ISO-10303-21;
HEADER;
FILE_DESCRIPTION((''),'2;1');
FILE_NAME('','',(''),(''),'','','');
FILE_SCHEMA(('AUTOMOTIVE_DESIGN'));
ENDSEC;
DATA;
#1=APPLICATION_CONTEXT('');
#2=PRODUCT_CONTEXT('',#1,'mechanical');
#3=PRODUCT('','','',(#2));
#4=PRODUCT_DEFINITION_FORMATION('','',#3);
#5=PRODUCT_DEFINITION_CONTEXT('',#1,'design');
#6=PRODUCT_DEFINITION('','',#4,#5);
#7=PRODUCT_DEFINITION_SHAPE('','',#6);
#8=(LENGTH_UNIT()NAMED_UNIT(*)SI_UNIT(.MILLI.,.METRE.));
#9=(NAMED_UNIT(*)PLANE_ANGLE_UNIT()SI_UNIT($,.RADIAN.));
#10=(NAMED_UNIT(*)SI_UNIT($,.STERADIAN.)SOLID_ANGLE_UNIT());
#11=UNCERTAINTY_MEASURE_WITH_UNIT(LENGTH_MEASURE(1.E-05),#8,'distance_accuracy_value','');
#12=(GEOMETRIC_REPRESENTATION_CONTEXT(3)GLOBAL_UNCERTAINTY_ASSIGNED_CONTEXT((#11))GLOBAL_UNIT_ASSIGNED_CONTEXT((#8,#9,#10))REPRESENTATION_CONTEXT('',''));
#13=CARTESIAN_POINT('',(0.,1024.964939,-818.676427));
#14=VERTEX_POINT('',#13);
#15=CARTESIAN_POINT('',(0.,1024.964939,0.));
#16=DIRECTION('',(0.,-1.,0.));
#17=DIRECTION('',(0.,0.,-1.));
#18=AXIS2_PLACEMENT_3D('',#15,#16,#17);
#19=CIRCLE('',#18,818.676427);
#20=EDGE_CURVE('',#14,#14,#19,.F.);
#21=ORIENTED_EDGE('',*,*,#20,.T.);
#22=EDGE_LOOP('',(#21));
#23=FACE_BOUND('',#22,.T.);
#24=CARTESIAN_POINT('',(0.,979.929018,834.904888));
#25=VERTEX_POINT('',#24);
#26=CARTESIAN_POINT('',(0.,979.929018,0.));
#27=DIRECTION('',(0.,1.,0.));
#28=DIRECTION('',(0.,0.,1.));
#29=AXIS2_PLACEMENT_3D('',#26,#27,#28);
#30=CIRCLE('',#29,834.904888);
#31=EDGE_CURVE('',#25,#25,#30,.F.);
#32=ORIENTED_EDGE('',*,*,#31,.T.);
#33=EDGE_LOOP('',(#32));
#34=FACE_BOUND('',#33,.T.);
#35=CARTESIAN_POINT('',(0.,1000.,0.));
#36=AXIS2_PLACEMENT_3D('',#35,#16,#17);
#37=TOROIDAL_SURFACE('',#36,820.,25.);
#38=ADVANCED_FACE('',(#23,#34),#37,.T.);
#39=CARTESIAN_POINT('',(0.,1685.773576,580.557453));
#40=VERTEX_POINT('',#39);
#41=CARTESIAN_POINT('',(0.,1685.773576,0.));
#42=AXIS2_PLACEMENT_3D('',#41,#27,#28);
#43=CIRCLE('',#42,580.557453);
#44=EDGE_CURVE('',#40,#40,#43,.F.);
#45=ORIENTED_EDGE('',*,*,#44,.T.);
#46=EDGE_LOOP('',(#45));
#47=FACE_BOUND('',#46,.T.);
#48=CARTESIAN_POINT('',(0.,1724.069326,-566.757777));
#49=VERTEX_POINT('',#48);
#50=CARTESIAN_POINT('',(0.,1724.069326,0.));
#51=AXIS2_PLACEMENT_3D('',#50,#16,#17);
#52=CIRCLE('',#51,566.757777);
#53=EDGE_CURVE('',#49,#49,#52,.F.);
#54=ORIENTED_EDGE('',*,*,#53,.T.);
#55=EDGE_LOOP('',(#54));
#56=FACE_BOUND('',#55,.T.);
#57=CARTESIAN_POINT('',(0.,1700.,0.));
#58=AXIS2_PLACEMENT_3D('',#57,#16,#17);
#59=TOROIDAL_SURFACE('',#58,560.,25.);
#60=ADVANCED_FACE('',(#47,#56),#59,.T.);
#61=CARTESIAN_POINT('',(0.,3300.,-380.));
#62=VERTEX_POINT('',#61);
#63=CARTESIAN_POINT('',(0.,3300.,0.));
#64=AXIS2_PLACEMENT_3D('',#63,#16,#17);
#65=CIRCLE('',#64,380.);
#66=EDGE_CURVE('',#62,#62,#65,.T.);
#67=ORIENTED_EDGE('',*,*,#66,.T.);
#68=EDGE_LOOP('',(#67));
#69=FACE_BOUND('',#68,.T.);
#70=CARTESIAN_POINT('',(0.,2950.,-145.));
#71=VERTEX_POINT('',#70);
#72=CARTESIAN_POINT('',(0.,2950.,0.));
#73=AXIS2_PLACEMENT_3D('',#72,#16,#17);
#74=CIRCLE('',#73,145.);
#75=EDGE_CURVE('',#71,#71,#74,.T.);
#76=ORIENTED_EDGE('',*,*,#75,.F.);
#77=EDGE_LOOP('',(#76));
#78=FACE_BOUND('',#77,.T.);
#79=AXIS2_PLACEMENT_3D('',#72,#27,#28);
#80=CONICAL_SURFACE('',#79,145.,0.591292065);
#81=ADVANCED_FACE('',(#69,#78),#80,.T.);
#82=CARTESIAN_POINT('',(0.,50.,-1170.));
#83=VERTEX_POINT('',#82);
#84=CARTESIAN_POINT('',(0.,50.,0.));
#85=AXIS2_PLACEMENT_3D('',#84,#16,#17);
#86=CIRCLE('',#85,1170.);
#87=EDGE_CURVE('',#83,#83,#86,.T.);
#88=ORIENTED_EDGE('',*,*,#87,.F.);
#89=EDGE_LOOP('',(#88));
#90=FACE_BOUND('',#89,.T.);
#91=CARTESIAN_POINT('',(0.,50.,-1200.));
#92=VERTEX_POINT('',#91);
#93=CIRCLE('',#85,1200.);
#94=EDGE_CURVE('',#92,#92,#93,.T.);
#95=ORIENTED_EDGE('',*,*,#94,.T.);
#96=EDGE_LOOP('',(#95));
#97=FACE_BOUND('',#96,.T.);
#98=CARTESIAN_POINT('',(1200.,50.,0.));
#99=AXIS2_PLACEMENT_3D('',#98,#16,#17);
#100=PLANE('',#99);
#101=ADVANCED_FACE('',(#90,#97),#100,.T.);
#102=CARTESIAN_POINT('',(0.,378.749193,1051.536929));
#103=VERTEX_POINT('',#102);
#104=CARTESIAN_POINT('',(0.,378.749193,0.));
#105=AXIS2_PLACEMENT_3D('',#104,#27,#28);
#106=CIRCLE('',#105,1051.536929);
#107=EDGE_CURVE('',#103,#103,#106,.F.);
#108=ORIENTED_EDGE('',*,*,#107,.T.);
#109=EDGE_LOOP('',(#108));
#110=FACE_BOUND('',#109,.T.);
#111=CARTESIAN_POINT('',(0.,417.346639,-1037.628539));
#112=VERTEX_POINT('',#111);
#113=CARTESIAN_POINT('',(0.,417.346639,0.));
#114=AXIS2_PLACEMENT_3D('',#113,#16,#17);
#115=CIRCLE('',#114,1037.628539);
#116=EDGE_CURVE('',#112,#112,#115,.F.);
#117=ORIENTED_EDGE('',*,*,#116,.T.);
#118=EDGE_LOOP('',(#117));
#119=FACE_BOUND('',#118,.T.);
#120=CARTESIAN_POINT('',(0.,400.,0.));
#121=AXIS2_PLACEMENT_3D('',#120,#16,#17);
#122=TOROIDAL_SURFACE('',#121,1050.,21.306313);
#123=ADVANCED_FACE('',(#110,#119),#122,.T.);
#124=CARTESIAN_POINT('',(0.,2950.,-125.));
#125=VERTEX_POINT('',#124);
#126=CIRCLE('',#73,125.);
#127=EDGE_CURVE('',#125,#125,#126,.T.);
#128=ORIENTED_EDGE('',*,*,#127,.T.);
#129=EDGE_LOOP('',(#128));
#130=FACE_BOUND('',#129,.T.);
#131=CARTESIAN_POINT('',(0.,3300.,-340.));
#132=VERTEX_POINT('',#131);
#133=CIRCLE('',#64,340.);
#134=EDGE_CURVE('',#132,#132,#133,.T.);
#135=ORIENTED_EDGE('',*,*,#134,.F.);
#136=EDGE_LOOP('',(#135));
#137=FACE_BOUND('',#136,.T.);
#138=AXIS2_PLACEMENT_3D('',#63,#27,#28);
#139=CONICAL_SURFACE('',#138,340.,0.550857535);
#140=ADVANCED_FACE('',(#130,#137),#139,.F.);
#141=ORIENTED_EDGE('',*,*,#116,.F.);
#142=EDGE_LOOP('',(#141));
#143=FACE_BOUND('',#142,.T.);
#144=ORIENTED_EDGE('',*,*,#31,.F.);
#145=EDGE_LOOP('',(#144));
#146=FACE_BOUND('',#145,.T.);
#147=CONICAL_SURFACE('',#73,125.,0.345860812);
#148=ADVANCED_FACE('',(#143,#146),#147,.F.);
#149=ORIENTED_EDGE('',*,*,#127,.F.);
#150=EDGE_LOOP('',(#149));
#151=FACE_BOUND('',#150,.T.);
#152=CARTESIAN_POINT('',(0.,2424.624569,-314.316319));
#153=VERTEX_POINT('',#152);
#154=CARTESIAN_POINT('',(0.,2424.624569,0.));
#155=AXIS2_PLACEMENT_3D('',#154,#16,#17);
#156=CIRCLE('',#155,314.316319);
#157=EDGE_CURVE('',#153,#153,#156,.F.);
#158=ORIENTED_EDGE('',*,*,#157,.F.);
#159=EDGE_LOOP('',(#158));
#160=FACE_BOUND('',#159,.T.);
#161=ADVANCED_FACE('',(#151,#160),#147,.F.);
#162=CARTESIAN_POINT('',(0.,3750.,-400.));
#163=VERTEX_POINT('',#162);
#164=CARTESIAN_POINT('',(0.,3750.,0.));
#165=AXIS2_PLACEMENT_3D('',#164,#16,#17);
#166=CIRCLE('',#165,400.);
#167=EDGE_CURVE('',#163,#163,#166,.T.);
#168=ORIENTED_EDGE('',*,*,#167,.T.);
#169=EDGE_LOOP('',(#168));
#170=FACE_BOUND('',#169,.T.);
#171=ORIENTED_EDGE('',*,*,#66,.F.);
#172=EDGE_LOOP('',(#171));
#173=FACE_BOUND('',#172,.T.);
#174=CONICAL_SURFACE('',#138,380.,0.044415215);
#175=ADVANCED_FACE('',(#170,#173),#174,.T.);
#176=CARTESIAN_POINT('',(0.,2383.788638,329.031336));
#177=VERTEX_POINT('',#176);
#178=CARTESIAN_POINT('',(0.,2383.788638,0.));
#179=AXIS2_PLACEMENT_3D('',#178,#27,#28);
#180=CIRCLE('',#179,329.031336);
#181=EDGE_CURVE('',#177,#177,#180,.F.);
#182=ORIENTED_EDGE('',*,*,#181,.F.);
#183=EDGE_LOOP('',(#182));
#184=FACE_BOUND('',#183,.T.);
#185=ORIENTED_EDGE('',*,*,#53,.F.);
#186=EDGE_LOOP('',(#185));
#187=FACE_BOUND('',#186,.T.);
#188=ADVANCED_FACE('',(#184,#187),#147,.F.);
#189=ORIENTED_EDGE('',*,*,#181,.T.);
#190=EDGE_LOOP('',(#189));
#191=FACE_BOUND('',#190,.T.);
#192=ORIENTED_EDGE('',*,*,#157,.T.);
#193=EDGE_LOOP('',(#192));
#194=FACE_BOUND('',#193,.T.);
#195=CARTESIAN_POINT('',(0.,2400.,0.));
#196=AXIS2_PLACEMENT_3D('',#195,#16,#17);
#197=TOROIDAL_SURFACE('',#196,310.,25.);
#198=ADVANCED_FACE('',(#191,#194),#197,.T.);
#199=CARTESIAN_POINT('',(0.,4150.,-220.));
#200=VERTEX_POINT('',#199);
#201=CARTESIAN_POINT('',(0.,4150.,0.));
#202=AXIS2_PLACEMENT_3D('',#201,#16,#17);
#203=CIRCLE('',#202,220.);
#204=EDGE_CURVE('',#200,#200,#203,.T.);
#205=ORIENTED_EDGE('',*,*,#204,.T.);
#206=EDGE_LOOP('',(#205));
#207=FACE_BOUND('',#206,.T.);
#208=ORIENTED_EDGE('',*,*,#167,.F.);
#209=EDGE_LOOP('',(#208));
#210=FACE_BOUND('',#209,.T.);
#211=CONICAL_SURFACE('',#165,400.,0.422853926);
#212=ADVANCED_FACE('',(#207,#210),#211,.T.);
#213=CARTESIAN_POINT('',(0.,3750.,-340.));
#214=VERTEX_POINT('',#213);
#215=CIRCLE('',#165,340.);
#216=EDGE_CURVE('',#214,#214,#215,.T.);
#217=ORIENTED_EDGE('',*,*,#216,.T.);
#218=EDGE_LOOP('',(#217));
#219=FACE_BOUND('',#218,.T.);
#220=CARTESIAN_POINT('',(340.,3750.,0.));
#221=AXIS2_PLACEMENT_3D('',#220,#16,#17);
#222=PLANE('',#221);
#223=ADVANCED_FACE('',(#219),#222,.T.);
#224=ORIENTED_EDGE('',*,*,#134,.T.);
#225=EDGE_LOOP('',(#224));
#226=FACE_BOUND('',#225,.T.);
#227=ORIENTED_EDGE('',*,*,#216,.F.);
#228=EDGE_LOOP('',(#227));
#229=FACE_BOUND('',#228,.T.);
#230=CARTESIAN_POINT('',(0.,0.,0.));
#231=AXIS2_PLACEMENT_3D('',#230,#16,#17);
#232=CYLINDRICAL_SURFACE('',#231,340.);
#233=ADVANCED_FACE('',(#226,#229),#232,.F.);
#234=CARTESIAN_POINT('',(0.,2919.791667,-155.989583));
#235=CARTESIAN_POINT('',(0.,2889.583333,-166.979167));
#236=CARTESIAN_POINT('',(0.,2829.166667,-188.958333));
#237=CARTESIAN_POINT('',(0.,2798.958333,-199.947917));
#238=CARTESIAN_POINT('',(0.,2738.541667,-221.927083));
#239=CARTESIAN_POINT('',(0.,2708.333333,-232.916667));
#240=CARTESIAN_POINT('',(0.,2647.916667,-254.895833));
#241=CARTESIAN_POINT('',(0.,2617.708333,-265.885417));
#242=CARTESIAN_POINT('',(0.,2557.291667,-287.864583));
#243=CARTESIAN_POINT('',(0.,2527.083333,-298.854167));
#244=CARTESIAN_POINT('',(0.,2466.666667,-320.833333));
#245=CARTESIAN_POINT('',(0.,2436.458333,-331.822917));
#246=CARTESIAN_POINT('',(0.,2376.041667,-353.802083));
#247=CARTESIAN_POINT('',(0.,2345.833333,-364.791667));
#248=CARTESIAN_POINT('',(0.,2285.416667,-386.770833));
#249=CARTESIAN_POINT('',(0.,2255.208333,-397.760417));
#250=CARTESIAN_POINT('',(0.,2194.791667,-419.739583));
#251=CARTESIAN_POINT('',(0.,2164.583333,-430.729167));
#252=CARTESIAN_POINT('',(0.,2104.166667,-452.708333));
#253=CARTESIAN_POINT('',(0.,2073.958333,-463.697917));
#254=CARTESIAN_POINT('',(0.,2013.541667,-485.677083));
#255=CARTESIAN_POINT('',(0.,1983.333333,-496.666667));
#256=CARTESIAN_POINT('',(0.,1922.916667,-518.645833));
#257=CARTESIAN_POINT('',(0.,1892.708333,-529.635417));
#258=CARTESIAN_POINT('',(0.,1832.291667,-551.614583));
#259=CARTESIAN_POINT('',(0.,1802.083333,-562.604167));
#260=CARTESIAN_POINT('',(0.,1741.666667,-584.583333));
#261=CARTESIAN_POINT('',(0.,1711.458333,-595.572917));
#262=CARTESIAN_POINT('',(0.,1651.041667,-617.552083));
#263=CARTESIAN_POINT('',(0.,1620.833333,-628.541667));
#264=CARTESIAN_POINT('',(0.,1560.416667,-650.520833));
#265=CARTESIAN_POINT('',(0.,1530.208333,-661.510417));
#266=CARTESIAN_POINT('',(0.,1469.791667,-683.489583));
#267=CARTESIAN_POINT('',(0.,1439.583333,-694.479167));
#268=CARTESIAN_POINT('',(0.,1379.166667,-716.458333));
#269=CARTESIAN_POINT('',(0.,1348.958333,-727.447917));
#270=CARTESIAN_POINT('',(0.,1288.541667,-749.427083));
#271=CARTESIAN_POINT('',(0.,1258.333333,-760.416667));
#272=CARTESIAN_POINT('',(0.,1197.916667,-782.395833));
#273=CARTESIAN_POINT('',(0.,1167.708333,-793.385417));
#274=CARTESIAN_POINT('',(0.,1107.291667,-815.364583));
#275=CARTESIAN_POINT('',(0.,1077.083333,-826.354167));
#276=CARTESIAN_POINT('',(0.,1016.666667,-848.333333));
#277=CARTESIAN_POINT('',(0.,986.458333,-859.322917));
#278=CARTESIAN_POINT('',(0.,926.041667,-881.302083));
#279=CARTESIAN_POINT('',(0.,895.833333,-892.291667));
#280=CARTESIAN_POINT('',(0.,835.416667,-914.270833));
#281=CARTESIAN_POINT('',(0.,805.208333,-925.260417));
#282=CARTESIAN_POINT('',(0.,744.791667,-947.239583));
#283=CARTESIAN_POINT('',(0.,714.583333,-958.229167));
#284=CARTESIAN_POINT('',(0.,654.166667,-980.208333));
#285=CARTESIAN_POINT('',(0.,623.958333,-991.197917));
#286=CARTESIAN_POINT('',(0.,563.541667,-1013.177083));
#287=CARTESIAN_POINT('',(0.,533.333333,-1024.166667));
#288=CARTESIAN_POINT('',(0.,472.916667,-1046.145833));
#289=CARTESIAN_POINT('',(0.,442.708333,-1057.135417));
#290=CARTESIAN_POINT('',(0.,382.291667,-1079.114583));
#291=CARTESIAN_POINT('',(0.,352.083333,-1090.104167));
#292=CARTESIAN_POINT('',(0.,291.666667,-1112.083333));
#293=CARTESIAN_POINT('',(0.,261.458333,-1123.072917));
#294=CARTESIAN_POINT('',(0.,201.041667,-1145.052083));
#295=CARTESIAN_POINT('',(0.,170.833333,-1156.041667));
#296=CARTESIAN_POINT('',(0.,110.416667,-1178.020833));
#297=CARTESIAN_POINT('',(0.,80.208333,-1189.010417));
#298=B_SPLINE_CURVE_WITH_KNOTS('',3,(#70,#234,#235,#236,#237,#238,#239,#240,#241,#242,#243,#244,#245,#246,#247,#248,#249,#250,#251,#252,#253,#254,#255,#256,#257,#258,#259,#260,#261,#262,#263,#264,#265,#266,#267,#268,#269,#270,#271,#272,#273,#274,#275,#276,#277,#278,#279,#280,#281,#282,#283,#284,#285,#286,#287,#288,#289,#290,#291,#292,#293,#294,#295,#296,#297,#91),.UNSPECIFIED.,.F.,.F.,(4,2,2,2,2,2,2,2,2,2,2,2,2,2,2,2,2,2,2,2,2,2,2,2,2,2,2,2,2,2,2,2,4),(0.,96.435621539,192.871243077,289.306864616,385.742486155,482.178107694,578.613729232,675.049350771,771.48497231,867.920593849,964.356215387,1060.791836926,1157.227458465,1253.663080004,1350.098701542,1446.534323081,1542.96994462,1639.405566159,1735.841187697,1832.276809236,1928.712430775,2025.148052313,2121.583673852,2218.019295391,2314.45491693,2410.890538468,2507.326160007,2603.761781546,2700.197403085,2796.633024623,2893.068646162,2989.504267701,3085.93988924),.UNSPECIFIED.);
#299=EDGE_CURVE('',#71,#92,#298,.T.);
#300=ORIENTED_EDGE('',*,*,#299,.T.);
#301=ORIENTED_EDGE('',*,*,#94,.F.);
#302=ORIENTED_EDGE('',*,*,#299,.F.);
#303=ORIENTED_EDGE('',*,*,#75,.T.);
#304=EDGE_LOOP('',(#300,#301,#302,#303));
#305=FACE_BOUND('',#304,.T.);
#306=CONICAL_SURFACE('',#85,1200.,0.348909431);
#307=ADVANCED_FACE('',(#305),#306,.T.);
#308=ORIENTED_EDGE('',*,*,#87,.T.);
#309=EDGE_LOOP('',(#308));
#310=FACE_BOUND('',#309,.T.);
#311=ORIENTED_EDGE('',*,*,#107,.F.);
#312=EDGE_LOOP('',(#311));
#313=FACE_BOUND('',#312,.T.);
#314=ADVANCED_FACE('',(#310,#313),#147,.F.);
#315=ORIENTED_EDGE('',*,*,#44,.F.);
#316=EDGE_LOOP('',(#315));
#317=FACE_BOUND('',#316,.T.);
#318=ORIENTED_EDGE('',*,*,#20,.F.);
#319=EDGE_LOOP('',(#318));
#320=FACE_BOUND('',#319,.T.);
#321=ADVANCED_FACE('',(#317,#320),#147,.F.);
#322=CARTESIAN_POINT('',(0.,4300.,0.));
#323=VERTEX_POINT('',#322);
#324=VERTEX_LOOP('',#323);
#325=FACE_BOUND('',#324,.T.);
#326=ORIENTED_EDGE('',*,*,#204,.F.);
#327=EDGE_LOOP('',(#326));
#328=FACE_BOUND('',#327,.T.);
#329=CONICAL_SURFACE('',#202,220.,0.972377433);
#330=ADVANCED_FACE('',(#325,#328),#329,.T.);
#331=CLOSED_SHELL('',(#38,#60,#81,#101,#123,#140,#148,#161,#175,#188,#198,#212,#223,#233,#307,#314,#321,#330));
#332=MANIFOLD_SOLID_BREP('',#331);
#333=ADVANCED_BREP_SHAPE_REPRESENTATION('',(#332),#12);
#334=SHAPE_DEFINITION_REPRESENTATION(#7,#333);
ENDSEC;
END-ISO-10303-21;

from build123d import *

# Parameters (mm, degrees)
SKETCH2_R   = 21.306312618
SKETCH2_R_2 = 25


with BuildPart() as part:
    # Sketch1 → Revolve1 (revolve)
    with BuildSketch(Plane.XY, mode=Mode.PRIVATE) as revolve1_sk:
        Polygon((0, 4300), (220, 4150), (400, 3750), (380, 3300), (145, 2950), (1200, 50), (1170, 50), (125, 2950), (340, 3300), (340, 3750), (0, 3750), align=None)
    revolve(revolve1_sk.sketch.rotate(Axis((0, 0, 0), (0, 1, 0)), 90), axis=Axis((0, 0, 0), (0, 1, 0)))

    # Sketch2 → Revolve2 (revolve)
    with BuildSketch(Plane.XY, mode=Mode.PRIVATE) as revolve2_sk:
        with Locations((1050, 400)):
            Circle(SKETCH2_R)
        with Locations((820, 1000)):
            Circle(SKETCH2_R_2)
        with Locations((560, 1700)):
            Circle(SKETCH2_R_2)
        with Locations((310, 2400)):
            Circle(SKETCH2_R_2)
    revolve(revolve2_sk.sketch.rotate(Axis((0, 0, 0), (0, 1, 0)), 90), axis=Axis((0, 0, 0), (0, 1, 0)))


solid = part.part
